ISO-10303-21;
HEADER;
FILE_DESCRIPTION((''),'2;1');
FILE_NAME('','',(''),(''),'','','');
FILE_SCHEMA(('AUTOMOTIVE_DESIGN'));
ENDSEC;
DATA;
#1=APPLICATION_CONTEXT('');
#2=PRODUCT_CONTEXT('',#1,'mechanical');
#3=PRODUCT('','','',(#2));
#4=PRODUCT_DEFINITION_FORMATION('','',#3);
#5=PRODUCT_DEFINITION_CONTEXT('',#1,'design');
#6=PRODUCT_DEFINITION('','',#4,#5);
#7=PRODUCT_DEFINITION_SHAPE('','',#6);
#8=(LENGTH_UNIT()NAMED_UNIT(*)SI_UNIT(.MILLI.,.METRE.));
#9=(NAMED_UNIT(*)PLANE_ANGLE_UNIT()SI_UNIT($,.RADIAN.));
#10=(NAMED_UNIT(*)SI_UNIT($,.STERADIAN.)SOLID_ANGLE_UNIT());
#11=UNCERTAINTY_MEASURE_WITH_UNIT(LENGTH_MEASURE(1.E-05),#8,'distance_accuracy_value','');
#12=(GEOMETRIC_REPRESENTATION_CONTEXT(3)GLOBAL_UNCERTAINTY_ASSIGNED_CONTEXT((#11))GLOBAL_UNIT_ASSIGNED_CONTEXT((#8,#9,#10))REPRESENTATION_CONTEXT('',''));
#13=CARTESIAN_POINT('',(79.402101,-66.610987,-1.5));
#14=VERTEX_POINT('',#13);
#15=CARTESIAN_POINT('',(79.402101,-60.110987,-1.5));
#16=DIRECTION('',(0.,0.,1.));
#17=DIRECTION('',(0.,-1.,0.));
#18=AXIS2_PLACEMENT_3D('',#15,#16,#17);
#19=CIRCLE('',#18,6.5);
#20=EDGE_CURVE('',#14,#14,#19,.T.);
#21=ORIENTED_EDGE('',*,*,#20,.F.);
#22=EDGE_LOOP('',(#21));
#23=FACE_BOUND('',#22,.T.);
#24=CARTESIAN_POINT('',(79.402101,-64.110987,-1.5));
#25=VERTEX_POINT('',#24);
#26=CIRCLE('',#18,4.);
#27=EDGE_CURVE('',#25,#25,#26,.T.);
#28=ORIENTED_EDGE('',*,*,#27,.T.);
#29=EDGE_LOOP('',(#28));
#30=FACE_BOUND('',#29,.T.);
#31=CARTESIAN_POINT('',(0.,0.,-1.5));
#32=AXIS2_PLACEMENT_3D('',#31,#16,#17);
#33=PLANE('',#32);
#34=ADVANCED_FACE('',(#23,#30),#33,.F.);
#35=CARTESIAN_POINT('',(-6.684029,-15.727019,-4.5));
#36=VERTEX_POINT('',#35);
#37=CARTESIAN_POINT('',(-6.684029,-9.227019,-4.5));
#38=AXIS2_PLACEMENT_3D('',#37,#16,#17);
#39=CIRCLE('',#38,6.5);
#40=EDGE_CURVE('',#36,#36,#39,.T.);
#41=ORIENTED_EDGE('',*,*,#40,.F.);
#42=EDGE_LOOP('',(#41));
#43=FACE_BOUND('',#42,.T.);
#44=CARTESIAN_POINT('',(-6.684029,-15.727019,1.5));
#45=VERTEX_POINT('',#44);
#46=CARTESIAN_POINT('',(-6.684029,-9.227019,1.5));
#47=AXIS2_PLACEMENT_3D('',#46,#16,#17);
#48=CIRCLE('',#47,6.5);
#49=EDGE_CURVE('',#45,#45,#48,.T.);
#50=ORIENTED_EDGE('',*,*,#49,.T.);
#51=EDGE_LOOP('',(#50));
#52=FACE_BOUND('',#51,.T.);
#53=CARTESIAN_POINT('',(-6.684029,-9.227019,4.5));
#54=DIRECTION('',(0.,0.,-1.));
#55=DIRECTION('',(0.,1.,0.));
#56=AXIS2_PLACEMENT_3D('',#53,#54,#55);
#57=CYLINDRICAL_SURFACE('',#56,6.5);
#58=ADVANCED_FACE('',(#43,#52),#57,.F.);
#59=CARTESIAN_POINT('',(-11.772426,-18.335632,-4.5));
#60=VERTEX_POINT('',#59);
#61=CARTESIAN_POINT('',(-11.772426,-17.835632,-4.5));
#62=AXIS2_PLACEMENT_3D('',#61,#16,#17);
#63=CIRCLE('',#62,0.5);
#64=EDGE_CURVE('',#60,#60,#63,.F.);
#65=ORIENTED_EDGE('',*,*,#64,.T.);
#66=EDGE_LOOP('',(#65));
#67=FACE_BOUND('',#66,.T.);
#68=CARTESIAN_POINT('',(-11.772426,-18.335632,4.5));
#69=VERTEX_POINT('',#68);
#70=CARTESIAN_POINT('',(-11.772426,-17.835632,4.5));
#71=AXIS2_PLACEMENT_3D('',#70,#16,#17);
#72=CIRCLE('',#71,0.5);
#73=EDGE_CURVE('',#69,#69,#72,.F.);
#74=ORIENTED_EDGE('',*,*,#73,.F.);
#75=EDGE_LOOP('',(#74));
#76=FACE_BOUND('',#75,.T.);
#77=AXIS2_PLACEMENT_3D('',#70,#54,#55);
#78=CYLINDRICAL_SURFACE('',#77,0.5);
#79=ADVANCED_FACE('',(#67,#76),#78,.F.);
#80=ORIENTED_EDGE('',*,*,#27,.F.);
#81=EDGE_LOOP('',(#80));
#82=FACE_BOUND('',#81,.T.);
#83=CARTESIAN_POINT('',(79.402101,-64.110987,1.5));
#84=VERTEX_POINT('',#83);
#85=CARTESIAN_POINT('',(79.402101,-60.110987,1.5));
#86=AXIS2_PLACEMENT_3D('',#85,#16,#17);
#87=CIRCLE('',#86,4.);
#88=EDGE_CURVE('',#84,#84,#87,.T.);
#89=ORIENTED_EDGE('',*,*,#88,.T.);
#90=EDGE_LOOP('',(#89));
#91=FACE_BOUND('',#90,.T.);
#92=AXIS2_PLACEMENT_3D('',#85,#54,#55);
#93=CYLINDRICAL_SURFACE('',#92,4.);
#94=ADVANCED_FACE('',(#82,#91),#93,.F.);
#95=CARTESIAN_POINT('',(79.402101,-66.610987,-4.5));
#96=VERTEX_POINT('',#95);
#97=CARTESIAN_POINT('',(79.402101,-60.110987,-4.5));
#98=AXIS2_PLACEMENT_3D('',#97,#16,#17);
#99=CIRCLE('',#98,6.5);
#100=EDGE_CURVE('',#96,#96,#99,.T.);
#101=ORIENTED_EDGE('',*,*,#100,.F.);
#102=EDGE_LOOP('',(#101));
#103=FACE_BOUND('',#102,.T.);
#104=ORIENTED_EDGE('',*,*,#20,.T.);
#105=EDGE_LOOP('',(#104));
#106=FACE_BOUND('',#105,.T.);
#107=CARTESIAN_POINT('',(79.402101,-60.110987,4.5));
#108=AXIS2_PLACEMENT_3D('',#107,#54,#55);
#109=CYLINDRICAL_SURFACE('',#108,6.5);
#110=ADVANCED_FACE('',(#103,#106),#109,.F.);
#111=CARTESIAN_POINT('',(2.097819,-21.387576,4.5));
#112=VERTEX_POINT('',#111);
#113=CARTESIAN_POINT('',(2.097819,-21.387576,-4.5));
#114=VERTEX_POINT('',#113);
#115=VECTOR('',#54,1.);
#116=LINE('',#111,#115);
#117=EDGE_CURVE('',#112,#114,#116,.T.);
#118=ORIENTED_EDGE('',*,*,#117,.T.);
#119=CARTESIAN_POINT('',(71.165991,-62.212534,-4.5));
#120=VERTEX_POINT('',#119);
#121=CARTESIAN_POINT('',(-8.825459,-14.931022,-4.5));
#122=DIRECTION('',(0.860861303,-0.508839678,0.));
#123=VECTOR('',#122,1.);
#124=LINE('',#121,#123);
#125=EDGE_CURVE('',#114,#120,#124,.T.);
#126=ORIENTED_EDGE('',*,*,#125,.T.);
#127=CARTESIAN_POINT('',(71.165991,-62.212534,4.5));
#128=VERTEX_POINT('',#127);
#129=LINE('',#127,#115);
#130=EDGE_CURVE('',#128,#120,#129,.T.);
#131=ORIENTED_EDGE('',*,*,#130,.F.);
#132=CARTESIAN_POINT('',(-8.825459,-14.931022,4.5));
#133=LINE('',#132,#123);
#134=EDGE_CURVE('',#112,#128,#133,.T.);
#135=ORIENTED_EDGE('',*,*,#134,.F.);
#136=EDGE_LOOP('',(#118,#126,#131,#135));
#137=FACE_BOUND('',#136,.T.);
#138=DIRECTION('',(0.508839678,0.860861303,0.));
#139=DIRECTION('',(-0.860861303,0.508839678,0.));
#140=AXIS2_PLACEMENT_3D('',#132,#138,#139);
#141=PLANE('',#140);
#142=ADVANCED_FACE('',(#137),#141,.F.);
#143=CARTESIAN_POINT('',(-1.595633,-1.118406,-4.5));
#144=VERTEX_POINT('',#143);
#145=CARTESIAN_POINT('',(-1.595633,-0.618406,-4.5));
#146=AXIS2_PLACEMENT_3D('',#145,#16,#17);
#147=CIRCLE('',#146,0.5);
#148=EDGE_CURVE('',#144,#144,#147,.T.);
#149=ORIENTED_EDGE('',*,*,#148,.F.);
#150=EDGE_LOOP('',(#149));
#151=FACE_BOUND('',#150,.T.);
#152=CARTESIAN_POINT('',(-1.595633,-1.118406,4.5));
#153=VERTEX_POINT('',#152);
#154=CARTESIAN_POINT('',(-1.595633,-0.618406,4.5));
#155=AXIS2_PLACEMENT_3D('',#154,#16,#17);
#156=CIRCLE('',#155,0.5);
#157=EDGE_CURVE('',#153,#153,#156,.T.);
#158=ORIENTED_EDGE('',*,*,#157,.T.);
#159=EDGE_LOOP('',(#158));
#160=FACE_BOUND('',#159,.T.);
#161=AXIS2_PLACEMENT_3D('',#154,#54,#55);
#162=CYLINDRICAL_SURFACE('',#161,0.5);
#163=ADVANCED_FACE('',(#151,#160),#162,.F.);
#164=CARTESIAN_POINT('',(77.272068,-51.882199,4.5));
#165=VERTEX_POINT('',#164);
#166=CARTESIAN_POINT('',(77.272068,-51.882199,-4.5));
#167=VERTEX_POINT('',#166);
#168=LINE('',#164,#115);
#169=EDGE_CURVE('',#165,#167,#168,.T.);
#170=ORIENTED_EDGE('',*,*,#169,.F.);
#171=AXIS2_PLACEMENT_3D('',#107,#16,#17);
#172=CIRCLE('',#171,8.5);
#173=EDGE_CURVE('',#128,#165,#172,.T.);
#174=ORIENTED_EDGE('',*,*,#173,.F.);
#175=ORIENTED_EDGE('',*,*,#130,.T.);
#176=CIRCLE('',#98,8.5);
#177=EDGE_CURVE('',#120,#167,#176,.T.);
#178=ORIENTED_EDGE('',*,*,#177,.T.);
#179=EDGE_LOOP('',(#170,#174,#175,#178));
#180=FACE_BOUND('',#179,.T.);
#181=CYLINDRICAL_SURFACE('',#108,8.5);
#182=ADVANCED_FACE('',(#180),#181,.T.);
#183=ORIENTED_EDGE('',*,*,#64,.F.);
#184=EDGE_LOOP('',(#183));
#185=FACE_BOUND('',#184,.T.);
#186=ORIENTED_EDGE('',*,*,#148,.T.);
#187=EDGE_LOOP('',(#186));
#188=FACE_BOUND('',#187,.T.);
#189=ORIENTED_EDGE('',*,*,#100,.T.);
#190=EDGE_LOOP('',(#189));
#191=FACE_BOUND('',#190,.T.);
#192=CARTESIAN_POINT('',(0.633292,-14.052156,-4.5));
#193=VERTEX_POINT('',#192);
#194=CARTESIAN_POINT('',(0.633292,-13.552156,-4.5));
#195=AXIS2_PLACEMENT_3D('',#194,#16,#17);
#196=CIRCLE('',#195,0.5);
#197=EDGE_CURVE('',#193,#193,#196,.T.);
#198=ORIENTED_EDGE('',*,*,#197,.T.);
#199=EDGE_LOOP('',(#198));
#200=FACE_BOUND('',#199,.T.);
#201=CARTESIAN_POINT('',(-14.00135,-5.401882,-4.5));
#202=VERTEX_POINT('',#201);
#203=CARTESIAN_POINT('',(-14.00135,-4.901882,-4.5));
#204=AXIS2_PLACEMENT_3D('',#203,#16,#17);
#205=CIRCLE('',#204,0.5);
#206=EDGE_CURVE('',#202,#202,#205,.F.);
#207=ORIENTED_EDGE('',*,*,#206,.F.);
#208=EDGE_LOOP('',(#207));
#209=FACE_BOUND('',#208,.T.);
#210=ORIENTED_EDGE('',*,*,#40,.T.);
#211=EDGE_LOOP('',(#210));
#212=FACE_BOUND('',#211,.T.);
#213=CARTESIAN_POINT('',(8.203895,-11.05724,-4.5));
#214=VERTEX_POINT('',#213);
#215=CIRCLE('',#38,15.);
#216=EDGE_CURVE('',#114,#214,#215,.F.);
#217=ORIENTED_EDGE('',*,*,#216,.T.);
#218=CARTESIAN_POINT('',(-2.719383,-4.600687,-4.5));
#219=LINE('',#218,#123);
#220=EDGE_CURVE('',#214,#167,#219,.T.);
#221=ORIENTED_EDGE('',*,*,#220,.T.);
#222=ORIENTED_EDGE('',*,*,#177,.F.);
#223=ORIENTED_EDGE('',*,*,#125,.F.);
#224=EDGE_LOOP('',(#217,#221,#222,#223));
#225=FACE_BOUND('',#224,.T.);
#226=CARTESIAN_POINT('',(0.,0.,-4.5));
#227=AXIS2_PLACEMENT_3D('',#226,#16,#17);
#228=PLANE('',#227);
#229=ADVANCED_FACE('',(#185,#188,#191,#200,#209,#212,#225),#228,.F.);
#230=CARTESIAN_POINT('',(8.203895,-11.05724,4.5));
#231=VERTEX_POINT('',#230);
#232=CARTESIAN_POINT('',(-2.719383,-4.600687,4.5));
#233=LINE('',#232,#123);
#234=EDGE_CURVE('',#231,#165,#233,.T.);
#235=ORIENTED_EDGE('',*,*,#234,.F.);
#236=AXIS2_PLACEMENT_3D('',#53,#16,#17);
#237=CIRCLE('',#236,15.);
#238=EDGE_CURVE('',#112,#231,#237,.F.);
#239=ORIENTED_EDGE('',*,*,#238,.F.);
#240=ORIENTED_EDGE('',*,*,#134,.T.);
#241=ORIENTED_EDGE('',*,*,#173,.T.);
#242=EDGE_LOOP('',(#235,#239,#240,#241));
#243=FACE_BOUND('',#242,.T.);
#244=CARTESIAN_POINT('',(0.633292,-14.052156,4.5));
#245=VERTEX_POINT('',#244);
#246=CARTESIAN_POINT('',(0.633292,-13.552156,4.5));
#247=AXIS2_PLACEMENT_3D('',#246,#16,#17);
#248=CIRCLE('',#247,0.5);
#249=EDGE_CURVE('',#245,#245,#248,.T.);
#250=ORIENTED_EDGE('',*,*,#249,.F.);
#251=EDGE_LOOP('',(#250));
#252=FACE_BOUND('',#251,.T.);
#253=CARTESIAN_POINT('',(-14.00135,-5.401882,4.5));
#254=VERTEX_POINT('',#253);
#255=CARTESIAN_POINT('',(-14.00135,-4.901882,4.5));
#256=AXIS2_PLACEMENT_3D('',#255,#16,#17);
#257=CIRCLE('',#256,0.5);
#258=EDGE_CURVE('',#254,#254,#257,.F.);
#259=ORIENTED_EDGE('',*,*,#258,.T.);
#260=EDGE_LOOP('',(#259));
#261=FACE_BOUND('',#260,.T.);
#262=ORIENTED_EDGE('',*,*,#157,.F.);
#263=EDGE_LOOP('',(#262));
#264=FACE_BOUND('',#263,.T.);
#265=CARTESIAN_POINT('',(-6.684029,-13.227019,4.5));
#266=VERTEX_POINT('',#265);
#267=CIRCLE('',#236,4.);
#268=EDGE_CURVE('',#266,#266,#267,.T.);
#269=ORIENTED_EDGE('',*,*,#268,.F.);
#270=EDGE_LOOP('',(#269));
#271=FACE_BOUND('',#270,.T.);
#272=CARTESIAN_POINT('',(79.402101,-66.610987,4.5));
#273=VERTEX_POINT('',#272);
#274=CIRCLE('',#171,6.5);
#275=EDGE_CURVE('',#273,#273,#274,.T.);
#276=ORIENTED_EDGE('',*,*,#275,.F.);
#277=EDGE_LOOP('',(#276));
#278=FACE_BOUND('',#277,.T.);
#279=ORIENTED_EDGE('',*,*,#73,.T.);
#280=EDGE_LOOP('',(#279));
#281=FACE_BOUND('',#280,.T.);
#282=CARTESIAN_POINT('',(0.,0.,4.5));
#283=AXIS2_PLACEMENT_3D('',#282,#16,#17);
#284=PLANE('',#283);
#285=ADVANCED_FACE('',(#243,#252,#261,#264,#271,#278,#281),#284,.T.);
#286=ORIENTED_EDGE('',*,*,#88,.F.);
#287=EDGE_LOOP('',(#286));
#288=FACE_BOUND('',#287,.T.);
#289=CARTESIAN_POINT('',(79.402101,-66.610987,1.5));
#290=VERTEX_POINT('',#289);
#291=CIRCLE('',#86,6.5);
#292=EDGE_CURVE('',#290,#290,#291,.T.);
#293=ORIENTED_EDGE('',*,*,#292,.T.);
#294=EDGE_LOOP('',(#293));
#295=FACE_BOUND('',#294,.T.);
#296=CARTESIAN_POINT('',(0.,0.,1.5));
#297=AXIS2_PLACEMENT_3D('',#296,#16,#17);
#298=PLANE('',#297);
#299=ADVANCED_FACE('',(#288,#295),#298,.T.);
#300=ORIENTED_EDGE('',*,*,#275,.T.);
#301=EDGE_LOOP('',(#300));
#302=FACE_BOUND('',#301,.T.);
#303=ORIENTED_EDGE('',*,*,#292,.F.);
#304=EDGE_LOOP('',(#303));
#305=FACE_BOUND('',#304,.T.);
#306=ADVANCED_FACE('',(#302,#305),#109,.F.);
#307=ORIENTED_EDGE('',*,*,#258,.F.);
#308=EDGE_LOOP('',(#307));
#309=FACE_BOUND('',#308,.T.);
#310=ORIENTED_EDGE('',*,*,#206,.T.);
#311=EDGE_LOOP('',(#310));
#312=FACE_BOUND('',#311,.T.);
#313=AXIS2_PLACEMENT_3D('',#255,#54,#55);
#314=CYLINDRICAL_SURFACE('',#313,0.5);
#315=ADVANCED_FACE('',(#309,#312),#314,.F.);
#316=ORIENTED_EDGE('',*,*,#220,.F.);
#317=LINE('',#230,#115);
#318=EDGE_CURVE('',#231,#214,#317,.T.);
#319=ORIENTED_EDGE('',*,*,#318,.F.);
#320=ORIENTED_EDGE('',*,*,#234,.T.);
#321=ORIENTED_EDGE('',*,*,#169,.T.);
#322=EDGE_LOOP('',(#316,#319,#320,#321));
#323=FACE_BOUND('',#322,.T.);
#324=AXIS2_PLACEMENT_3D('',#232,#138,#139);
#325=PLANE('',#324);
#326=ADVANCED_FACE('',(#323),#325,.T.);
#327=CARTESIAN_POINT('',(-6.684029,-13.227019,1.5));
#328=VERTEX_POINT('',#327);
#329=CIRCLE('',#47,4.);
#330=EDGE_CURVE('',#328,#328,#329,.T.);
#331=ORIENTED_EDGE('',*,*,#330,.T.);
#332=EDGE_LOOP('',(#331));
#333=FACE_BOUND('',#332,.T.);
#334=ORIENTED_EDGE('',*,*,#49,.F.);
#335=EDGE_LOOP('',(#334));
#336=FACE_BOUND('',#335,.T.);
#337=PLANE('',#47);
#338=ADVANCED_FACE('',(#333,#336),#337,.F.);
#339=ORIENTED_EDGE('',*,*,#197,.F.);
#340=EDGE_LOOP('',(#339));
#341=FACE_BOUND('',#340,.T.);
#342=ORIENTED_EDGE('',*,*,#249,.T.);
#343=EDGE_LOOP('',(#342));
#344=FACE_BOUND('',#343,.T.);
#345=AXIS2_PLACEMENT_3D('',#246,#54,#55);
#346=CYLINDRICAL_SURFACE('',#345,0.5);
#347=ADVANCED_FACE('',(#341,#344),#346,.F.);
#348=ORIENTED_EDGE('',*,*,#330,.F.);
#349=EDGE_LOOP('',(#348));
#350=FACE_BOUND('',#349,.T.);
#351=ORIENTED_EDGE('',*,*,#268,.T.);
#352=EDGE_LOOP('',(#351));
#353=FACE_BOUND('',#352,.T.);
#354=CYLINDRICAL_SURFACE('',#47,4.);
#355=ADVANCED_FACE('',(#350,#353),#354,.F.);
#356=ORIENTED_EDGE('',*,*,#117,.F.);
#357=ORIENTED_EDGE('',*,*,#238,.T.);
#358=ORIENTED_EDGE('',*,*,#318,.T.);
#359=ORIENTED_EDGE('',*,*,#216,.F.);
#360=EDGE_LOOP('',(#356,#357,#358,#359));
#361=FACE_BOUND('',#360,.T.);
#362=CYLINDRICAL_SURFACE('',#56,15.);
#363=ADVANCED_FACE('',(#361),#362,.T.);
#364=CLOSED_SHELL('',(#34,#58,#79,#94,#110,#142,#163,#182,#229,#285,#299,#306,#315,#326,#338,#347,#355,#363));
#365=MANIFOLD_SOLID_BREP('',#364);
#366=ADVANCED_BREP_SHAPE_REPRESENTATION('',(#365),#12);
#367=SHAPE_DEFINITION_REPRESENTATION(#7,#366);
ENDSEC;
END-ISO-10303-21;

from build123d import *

# Parameters (mm, degrees)
SKETCH2_R           = 8.5
SKETCH2_R_2         = 6.5
SKETCH2_R_3         = 15
SKETCH2_R_4         = 0.5
BOSS_EXTRUDE2_DEPTH = 4.5
BOSS_EXTRUDE8_START = 1.5
SKETCH2_13_R        = 6.5
SKETCH2_13_R_2      = 4
BOSS_EXTRUDE8_DEPTH = 3
SKETCH2_7_R         = 6.5
SKETCH2_7_R_2       = 4
BOSS_EXTRUDE5_DEPTH = 1.5


with BuildPart() as part:
    # Sketch2 → Boss-Extrude2 (new, symmetric)
    # profile 1 of 3: a face of its own
    with BuildSketch(Plane(origin=(-406.338605642, -287.966071976, 0), x_dir=(-0.7121905836143565, 0.7019861626920024, 0), z_dir=(0, 0, 1))):
        with BuildLine():
            ThreePointArc((-177.488840527, -503.259500631), (-177.796019748, -505.523940447), (-178.695355275, -507.624712296))
            Line((-178.695355275, -507.624712296), (-136.02252284, -496.985180209))
            Line((-136.02252284, -496.985180209), (-100.847097363, -488.214961626))
            ThreePointArc((-100.847097363, -488.214961626), (-103.513703794, -482.696139506), (-103.75016011, -476.57141291))
            Line((-103.75016011, -476.57141291), (-138.925585587, -485.341631494))
            Line((-138.925585587, -485.341631494), (-181.598418022, -495.981163581))
            ThreePointArc((-181.598418022, -495.981163581), (-178.587199112, -499.080301623), (-177.488840527, -503.259500631))
        make_face()
    # profile 2 of 3: a face of its own
    with BuildSketch(Plane(origin=(-406.338605642, -287.966071976, 0), x_dir=(-0.7121905836143565, 0.7019861626920024, 0), z_dir=(0, 0, 1))):
        with Locations((-185.988840527, -503.259500631)):
            Circle(SKETCH2_R)
        with Locations(Location((-185.988840527, -503.259500631, 0), (0, 0, 134.586572113))):
            Circle(SKETCH2_R_2, mode=Mode.SUBTRACT)
    # profile 3 of 3: a face of its own
    with BuildSketch(Plane(origin=(-406.338605642, -287.966071976, 0), x_dir=(-0.7121905836143565, 0.7019861626920024, 0), z_dir=(0, 0, 1))):
        with Locations((-88.9592679, -479.067311072)):
            Circle(SKETCH2_R_3)
        with Locations(Location((-88.9592679, -479.067311072, 0), (0, 0, 134.586572113))):
            Circle(SKETCH2_R_2, mode=Mode.SUBTRACT)
        with Locations(Location((-80.711754227, -477.010974959, 0), (0, 0, 134.586572113))):
            Circle(SKETCH2_R_4, mode=Mode.SUBTRACT)
        with Locations(Location((-97.206781573, -481.123647184, 0), (0, 0, 134.586572113))):
            Circle(SKETCH2_R_4, mode=Mode.SUBTRACT)
        with Locations(Location((-86.540048944, -488.770268334, 0), (0, 0, 134.586572113))):
            Circle(SKETCH2_R_4, mode=Mode.SUBTRACT)
        with Locations(Location((-91.378486856, -469.364353809, 0), (0, 0, 134.586572113))):
            Circle(SKETCH2_R_4, mode=Mode.SUBTRACT)
    extrude(amount=BOSS_EXTRUDE2_DEPTH, both=True)

    # Sketch2<13> → Boss-Extrude8 (add)
    with BuildSketch(Plane(origin=(-406.338605642, -287.966071976, 0), x_dir=(-0.7121905836143565, 0.7019861626920024, 0), z_dir=(0, 0, 1)).offset(BOSS_EXTRUDE8_START)):
        with Locations(Location((-88.9592679, -479.067311072, 0), (0, 0, 134.586572113))):
            Circle(SKETCH2_13_R)
        with Locations(Location((-88.9592679, -479.067311072, 0), (0, 0, 134.586572113))):
            Circle(SKETCH2_13_R_2, mode=Mode.SUBTRACT)
    extrude(amount=BOSS_EXTRUDE8_DEPTH)

    # Sketch2<7> → Boss-Extrude5 (add, symmetric)
    with BuildSketch(Plane(origin=(-406.338605642, -287.966071976, 0), x_dir=(-0.7121905836143565, 0.7019861626920024, 0), z_dir=(0, 0, 1))):
        with Locations(Location((-185.988840527, -503.259500631, 0), (0, 0, 134.586572113))):
            Circle(SKETCH2_7_R)
        with Locations(Location((-185.988840527, -503.259500631, 0), (0, 0, 134.586572113))):
            Circle(SKETCH2_7_R_2, mode=Mode.SUBTRACT)
    extrude(amount=BOSS_EXTRUDE5_DEPTH, both=True)


solid = part.part
